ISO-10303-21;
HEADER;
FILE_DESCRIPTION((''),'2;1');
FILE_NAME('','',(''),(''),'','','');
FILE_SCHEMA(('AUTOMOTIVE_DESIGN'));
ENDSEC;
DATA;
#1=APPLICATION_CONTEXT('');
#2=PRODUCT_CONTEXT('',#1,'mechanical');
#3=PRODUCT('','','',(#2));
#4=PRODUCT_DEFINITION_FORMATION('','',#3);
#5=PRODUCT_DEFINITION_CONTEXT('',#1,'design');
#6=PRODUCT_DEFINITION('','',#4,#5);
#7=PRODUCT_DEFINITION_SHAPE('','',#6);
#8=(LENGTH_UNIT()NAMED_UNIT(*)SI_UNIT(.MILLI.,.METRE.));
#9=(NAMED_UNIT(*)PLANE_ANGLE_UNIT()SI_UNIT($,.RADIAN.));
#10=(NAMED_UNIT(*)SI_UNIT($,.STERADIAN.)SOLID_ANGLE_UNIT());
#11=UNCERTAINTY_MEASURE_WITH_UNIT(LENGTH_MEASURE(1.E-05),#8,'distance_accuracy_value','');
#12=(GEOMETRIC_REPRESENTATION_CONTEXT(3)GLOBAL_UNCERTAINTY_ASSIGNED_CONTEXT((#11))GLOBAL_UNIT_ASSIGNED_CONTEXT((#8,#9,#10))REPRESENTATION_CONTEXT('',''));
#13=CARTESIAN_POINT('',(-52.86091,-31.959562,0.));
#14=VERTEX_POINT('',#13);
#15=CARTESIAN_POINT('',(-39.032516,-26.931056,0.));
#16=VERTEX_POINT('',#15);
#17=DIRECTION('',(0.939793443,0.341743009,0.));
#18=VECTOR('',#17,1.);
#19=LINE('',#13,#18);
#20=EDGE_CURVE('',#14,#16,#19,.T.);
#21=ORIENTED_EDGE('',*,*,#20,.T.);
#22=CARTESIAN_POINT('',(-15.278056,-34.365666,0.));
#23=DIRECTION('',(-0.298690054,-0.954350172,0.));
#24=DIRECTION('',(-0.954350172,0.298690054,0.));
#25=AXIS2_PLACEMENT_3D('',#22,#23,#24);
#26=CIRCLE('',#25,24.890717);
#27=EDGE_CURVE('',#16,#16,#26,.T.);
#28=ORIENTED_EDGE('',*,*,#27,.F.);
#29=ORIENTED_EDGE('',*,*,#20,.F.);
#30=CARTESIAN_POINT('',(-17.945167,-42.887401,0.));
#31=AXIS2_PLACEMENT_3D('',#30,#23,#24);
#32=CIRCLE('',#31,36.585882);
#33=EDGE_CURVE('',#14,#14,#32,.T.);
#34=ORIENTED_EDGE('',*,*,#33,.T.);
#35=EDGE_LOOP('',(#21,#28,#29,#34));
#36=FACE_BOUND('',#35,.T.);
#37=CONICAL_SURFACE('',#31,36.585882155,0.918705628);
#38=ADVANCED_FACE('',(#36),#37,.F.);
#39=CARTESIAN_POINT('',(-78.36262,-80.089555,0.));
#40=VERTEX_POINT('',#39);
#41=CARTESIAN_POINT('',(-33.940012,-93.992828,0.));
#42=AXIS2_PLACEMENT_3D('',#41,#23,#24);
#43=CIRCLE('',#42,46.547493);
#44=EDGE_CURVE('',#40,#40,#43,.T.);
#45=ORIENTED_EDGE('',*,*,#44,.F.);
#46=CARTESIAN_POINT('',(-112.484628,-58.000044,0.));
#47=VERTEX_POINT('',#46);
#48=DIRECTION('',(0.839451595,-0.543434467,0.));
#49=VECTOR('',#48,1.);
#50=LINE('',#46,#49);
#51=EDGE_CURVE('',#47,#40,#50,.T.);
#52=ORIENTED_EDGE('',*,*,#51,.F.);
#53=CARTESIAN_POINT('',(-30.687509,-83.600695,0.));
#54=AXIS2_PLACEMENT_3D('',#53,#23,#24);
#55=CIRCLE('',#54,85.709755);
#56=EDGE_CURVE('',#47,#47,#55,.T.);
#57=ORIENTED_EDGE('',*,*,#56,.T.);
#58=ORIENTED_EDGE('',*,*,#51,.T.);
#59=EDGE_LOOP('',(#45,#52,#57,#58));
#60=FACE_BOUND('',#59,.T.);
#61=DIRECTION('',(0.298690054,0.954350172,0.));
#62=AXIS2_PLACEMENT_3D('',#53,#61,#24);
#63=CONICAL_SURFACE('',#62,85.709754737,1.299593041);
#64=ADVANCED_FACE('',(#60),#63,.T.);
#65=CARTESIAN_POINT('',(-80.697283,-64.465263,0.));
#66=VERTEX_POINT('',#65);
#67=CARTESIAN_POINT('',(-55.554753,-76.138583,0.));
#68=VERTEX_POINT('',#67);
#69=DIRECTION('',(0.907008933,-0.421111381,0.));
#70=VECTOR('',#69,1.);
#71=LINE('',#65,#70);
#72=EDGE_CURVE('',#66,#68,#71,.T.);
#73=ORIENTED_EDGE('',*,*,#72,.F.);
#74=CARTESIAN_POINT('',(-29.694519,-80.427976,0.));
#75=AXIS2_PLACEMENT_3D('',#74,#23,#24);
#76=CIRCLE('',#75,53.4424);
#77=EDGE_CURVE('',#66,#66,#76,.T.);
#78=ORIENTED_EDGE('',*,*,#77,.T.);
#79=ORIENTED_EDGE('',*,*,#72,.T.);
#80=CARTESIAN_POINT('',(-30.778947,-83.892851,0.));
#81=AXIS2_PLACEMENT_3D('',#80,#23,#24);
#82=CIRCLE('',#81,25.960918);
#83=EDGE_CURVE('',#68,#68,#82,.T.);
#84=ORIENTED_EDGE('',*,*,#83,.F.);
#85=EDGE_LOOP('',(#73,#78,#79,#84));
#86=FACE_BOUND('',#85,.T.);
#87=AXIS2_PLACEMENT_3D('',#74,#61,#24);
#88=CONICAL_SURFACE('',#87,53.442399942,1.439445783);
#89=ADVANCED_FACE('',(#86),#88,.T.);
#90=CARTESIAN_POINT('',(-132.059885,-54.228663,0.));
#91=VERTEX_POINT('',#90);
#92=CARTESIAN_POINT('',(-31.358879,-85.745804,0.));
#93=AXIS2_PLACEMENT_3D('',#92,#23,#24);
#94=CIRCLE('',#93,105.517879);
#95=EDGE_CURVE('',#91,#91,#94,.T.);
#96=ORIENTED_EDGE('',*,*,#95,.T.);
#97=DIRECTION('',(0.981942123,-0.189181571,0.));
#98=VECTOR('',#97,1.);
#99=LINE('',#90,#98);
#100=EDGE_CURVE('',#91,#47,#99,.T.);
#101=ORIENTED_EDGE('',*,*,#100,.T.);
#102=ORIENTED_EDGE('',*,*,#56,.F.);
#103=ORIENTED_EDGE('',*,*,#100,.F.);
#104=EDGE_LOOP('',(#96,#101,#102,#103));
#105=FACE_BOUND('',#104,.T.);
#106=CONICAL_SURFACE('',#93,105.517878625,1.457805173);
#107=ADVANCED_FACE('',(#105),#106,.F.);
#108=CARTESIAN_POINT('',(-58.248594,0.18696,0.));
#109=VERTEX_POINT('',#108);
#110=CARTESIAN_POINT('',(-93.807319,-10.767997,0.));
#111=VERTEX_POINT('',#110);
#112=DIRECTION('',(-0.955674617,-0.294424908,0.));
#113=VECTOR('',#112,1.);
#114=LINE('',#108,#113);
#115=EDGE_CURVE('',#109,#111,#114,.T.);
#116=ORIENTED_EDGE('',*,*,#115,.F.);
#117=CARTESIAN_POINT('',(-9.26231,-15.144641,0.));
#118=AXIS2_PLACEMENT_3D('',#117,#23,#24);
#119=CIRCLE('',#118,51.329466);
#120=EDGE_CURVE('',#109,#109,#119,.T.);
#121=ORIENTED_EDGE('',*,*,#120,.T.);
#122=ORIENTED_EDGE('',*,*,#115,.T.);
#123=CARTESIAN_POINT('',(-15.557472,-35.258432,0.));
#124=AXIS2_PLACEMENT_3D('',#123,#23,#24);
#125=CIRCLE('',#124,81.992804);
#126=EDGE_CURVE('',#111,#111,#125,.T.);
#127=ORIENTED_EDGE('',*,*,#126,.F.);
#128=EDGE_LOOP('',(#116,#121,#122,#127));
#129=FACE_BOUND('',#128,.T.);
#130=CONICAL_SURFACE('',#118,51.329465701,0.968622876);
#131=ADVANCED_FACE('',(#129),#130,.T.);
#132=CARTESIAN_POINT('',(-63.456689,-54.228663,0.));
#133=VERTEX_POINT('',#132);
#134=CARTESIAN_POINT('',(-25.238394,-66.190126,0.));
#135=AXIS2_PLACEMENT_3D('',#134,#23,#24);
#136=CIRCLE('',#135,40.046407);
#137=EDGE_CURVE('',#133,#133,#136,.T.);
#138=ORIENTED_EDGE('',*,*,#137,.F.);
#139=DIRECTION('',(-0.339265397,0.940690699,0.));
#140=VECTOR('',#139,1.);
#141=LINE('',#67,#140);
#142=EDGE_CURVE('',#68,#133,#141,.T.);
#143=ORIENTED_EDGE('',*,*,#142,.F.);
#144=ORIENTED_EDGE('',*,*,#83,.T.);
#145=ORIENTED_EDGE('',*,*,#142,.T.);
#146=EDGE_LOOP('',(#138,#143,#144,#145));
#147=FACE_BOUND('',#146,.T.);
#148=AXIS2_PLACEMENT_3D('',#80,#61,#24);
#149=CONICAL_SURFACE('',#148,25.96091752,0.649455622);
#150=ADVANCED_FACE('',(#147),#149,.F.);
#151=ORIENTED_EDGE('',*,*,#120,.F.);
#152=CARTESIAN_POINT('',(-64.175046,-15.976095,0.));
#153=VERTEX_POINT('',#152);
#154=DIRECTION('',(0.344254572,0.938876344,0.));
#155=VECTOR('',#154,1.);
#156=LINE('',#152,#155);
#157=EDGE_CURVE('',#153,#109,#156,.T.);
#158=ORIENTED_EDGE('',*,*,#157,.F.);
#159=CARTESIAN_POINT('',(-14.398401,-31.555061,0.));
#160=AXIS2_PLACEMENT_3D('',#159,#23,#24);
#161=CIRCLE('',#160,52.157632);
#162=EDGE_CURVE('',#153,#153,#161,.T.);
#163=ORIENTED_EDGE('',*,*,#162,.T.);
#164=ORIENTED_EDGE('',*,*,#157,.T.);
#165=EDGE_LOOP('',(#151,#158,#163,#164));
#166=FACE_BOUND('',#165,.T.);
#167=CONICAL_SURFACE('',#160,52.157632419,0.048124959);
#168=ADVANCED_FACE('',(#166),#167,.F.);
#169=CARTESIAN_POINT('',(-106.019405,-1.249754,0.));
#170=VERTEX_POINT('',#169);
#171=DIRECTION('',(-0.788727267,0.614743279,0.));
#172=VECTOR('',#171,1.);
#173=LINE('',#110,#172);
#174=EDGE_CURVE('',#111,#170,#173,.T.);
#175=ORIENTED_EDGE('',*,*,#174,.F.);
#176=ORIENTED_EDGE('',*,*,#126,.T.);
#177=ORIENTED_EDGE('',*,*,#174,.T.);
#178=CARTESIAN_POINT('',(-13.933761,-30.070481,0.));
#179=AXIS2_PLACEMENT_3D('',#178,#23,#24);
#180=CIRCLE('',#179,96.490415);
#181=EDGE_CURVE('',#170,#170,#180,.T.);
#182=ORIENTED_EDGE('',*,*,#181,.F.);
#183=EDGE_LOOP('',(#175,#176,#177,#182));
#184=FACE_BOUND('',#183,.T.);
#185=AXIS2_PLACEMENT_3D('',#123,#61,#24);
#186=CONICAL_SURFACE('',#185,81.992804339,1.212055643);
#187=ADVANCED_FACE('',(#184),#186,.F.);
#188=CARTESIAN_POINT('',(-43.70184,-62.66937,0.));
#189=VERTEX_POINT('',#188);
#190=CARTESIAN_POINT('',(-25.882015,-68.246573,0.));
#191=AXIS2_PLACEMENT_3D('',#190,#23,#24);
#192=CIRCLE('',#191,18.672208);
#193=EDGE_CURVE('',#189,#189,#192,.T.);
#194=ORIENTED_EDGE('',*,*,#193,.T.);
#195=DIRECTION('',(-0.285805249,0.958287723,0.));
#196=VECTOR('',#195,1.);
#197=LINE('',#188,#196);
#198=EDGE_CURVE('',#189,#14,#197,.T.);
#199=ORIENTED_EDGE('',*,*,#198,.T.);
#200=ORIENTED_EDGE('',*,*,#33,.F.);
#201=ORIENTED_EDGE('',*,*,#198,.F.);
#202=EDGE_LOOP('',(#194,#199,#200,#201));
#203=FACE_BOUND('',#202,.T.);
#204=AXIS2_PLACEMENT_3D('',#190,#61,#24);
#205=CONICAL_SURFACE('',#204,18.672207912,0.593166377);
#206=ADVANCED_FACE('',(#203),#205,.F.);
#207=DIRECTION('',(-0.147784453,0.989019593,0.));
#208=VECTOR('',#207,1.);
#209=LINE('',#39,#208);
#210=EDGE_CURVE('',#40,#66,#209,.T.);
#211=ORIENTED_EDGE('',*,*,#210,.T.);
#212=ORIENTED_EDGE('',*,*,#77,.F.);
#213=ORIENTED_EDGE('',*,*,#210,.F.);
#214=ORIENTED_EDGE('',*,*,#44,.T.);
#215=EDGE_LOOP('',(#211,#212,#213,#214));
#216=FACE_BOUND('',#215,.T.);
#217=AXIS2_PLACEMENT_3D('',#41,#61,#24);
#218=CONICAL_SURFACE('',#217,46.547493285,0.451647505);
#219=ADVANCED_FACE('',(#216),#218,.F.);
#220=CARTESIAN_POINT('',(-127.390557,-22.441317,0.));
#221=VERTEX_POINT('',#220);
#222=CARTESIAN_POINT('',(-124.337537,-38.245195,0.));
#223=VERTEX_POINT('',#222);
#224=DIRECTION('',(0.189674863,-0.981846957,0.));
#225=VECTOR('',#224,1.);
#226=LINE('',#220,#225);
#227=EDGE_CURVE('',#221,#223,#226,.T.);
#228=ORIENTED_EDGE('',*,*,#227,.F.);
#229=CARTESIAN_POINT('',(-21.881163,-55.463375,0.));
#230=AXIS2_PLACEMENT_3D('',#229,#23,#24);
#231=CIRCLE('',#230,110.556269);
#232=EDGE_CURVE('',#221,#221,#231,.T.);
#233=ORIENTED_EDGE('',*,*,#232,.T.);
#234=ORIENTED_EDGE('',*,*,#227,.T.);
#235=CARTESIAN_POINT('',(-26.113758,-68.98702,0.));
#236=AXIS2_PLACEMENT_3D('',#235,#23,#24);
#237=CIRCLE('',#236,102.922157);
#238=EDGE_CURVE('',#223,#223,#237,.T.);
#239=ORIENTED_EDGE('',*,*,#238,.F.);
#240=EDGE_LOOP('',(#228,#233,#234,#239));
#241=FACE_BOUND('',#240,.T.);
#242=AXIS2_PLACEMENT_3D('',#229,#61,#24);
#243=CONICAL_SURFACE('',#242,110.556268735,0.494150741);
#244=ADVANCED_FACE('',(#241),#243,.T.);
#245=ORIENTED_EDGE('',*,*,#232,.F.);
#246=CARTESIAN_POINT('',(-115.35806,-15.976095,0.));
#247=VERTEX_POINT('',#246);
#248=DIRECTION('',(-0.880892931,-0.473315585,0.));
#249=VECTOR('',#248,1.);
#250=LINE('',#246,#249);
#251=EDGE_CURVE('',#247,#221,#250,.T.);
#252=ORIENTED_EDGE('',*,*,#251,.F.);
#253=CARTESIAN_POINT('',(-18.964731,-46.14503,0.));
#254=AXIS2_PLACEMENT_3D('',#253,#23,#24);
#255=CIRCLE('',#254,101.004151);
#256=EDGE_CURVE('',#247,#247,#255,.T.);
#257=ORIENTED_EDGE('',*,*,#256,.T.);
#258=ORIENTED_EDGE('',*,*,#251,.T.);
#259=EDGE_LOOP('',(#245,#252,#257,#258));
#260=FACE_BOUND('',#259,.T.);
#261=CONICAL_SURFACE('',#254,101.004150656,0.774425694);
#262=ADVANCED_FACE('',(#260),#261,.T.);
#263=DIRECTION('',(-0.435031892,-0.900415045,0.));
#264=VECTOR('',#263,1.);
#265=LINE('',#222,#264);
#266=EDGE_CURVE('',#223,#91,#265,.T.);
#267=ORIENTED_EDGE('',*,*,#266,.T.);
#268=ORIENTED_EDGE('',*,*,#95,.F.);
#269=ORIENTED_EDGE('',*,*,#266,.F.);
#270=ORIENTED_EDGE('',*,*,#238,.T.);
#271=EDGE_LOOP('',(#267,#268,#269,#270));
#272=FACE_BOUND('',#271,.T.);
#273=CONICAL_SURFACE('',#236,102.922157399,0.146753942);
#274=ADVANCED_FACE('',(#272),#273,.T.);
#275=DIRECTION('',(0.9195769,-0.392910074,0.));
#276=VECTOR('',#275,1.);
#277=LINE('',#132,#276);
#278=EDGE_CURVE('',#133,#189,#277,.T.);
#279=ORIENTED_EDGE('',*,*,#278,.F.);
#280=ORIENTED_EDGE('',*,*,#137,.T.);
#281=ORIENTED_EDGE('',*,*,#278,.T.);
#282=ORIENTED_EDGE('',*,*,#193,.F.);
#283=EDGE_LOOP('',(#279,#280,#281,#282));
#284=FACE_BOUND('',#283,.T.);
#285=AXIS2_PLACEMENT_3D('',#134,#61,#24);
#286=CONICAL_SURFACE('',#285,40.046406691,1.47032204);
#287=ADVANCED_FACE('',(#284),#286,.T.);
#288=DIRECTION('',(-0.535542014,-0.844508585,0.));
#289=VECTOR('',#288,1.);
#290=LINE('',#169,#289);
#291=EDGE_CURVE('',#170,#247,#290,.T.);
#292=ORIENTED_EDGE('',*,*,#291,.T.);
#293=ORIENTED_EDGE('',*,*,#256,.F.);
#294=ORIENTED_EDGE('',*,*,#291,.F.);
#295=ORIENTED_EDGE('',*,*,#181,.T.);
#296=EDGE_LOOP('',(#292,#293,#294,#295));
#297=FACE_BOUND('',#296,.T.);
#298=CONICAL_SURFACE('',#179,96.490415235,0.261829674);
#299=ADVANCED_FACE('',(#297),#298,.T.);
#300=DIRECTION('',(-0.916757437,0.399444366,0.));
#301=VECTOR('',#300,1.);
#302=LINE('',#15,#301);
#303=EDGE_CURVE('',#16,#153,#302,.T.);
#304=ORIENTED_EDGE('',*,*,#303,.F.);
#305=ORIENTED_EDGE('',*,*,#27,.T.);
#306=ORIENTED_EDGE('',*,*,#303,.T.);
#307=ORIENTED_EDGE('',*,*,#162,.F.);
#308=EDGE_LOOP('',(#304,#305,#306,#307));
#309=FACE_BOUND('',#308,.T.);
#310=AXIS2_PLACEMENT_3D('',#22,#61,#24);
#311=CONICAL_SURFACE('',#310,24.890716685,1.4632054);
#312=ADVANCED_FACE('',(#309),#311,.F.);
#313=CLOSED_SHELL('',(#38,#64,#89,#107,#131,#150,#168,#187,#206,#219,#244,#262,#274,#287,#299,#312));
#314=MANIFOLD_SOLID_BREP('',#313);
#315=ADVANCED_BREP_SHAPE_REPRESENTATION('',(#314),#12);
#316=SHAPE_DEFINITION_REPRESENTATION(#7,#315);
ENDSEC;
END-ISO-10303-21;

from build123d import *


with BuildPart() as f1:
    # F0 (on Top) → F1 (revolve)
    with BuildSketch(Plane.XY):
        Polygon((-115.35806, -15.976095), (-127.390557, -22.441317), (-124.337537, -38.245195), (-132.059885, -54.228663), (-112.484628, -58.000044), (-78.36262, -80.089555), (-80.697283, -64.465263), (-55.554753, -76.138583), (-63.456689, -54.228663), (-43.70184, -62.66937), (-52.86091, -31.959562), (-39.032516, -26.931056), (-64.175046, -15.976095), (-58.248594, 0.18696), (-93.807319, -10.767997), (-106.019405, -1.249754), align=None)
    revolve(axis=Axis((-21.009779, -52.6792, 0), (-0.29869, -0.95435, 0)))


solid = f1.part
